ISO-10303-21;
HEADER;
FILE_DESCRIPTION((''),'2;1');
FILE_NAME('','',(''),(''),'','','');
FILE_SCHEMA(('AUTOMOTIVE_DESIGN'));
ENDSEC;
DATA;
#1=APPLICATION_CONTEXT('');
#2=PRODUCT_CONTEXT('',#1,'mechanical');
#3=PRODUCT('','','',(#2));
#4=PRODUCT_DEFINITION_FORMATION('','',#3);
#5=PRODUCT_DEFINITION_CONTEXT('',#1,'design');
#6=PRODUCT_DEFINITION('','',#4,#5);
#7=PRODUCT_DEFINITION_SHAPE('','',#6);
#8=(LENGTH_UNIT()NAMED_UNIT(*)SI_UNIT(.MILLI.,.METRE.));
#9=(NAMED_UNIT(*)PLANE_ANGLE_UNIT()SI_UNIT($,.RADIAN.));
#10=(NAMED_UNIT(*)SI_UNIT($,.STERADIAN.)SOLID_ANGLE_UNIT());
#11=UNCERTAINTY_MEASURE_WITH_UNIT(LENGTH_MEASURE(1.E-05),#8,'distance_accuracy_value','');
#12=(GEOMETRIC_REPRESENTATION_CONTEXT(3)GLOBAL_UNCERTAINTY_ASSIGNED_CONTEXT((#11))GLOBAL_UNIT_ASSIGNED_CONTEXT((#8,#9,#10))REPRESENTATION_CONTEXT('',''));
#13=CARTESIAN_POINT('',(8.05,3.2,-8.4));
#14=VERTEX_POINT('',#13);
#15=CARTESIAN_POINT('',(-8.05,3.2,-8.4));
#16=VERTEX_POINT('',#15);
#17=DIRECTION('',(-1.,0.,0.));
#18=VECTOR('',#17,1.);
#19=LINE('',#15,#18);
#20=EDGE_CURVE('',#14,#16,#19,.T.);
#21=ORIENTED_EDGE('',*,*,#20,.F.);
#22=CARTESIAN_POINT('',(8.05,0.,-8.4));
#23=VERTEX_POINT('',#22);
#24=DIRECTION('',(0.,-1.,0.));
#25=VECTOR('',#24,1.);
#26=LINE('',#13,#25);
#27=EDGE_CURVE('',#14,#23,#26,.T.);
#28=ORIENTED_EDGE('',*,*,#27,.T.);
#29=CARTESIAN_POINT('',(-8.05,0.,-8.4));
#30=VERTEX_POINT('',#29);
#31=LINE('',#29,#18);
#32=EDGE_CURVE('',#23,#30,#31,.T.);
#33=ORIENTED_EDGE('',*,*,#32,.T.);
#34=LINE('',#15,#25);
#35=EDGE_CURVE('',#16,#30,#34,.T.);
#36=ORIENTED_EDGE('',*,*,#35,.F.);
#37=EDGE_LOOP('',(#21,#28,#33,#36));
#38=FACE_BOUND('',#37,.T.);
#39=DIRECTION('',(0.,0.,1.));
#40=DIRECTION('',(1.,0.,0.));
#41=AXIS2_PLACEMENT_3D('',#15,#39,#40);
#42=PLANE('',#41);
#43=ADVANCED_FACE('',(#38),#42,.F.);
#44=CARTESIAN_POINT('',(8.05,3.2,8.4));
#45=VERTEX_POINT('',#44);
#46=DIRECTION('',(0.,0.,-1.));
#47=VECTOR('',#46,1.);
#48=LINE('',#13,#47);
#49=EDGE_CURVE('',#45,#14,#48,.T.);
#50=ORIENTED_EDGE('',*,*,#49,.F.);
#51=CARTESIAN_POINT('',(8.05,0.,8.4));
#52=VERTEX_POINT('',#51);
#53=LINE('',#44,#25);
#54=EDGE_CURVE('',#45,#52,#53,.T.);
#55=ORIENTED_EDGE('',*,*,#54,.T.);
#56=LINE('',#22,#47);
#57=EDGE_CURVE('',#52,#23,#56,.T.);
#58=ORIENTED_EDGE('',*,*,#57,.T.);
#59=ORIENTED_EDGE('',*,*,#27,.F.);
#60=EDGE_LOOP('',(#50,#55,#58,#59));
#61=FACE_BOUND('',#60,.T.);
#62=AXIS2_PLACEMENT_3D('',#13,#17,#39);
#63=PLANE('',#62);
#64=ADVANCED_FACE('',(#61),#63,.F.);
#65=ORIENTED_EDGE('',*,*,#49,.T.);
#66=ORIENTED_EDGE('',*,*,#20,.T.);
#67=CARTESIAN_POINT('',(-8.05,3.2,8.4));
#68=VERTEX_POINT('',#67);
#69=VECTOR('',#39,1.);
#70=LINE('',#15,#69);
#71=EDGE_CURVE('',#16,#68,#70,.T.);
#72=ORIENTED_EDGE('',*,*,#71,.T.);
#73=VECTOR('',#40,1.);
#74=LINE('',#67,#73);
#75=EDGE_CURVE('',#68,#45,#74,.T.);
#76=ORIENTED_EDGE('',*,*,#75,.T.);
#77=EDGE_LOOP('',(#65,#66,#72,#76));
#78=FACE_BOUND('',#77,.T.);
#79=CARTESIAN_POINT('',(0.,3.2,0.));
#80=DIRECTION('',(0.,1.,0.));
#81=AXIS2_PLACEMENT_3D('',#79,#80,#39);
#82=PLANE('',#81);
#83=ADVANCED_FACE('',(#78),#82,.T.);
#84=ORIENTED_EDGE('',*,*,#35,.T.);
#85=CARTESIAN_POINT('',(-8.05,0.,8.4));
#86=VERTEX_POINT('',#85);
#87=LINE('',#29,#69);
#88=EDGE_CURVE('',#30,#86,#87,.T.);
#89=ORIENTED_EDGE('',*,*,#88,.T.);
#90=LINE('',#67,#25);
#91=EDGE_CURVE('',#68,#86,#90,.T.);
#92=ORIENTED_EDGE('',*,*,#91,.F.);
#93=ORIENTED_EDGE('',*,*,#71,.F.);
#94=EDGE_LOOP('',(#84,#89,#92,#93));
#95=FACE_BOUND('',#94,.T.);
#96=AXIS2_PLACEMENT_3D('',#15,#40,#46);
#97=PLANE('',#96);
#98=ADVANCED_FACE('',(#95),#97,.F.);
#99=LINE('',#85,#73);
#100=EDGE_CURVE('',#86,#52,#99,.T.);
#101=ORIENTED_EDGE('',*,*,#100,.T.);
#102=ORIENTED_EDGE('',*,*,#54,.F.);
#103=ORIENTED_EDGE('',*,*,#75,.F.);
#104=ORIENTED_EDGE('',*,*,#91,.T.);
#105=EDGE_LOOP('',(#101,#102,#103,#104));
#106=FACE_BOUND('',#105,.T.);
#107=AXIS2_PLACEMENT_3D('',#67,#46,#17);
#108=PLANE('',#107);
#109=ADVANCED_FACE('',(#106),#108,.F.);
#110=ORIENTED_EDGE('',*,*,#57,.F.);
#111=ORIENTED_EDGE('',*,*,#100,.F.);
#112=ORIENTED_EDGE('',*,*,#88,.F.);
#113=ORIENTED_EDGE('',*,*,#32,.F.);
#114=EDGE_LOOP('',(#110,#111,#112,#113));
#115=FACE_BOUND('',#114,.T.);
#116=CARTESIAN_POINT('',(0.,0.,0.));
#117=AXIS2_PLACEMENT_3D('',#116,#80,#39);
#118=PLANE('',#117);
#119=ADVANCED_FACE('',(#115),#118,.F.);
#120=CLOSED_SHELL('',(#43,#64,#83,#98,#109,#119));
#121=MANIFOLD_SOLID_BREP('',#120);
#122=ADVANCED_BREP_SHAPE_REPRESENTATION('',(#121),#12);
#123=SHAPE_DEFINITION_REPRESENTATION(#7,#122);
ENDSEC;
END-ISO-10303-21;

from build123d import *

# Parameters (mm, degrees)
SKETCH_1_W      = 16.1
SKETCH_1_H      = 16.8
EXTRUDE_1_DEPTH = 3.2


with BuildPart() as part:
    # Эскиз1 → Бобышка-Вытянуть1 (new body)
    with BuildSketch(Plane(origin=(0, 0, 0), x_dir=(1, 0, 0), z_dir=(0, 1, 0))):
        Rectangle(SKETCH_1_W, SKETCH_1_H)
    extrude(amount=EXTRUDE_1_DEPTH)


solid = part.part
